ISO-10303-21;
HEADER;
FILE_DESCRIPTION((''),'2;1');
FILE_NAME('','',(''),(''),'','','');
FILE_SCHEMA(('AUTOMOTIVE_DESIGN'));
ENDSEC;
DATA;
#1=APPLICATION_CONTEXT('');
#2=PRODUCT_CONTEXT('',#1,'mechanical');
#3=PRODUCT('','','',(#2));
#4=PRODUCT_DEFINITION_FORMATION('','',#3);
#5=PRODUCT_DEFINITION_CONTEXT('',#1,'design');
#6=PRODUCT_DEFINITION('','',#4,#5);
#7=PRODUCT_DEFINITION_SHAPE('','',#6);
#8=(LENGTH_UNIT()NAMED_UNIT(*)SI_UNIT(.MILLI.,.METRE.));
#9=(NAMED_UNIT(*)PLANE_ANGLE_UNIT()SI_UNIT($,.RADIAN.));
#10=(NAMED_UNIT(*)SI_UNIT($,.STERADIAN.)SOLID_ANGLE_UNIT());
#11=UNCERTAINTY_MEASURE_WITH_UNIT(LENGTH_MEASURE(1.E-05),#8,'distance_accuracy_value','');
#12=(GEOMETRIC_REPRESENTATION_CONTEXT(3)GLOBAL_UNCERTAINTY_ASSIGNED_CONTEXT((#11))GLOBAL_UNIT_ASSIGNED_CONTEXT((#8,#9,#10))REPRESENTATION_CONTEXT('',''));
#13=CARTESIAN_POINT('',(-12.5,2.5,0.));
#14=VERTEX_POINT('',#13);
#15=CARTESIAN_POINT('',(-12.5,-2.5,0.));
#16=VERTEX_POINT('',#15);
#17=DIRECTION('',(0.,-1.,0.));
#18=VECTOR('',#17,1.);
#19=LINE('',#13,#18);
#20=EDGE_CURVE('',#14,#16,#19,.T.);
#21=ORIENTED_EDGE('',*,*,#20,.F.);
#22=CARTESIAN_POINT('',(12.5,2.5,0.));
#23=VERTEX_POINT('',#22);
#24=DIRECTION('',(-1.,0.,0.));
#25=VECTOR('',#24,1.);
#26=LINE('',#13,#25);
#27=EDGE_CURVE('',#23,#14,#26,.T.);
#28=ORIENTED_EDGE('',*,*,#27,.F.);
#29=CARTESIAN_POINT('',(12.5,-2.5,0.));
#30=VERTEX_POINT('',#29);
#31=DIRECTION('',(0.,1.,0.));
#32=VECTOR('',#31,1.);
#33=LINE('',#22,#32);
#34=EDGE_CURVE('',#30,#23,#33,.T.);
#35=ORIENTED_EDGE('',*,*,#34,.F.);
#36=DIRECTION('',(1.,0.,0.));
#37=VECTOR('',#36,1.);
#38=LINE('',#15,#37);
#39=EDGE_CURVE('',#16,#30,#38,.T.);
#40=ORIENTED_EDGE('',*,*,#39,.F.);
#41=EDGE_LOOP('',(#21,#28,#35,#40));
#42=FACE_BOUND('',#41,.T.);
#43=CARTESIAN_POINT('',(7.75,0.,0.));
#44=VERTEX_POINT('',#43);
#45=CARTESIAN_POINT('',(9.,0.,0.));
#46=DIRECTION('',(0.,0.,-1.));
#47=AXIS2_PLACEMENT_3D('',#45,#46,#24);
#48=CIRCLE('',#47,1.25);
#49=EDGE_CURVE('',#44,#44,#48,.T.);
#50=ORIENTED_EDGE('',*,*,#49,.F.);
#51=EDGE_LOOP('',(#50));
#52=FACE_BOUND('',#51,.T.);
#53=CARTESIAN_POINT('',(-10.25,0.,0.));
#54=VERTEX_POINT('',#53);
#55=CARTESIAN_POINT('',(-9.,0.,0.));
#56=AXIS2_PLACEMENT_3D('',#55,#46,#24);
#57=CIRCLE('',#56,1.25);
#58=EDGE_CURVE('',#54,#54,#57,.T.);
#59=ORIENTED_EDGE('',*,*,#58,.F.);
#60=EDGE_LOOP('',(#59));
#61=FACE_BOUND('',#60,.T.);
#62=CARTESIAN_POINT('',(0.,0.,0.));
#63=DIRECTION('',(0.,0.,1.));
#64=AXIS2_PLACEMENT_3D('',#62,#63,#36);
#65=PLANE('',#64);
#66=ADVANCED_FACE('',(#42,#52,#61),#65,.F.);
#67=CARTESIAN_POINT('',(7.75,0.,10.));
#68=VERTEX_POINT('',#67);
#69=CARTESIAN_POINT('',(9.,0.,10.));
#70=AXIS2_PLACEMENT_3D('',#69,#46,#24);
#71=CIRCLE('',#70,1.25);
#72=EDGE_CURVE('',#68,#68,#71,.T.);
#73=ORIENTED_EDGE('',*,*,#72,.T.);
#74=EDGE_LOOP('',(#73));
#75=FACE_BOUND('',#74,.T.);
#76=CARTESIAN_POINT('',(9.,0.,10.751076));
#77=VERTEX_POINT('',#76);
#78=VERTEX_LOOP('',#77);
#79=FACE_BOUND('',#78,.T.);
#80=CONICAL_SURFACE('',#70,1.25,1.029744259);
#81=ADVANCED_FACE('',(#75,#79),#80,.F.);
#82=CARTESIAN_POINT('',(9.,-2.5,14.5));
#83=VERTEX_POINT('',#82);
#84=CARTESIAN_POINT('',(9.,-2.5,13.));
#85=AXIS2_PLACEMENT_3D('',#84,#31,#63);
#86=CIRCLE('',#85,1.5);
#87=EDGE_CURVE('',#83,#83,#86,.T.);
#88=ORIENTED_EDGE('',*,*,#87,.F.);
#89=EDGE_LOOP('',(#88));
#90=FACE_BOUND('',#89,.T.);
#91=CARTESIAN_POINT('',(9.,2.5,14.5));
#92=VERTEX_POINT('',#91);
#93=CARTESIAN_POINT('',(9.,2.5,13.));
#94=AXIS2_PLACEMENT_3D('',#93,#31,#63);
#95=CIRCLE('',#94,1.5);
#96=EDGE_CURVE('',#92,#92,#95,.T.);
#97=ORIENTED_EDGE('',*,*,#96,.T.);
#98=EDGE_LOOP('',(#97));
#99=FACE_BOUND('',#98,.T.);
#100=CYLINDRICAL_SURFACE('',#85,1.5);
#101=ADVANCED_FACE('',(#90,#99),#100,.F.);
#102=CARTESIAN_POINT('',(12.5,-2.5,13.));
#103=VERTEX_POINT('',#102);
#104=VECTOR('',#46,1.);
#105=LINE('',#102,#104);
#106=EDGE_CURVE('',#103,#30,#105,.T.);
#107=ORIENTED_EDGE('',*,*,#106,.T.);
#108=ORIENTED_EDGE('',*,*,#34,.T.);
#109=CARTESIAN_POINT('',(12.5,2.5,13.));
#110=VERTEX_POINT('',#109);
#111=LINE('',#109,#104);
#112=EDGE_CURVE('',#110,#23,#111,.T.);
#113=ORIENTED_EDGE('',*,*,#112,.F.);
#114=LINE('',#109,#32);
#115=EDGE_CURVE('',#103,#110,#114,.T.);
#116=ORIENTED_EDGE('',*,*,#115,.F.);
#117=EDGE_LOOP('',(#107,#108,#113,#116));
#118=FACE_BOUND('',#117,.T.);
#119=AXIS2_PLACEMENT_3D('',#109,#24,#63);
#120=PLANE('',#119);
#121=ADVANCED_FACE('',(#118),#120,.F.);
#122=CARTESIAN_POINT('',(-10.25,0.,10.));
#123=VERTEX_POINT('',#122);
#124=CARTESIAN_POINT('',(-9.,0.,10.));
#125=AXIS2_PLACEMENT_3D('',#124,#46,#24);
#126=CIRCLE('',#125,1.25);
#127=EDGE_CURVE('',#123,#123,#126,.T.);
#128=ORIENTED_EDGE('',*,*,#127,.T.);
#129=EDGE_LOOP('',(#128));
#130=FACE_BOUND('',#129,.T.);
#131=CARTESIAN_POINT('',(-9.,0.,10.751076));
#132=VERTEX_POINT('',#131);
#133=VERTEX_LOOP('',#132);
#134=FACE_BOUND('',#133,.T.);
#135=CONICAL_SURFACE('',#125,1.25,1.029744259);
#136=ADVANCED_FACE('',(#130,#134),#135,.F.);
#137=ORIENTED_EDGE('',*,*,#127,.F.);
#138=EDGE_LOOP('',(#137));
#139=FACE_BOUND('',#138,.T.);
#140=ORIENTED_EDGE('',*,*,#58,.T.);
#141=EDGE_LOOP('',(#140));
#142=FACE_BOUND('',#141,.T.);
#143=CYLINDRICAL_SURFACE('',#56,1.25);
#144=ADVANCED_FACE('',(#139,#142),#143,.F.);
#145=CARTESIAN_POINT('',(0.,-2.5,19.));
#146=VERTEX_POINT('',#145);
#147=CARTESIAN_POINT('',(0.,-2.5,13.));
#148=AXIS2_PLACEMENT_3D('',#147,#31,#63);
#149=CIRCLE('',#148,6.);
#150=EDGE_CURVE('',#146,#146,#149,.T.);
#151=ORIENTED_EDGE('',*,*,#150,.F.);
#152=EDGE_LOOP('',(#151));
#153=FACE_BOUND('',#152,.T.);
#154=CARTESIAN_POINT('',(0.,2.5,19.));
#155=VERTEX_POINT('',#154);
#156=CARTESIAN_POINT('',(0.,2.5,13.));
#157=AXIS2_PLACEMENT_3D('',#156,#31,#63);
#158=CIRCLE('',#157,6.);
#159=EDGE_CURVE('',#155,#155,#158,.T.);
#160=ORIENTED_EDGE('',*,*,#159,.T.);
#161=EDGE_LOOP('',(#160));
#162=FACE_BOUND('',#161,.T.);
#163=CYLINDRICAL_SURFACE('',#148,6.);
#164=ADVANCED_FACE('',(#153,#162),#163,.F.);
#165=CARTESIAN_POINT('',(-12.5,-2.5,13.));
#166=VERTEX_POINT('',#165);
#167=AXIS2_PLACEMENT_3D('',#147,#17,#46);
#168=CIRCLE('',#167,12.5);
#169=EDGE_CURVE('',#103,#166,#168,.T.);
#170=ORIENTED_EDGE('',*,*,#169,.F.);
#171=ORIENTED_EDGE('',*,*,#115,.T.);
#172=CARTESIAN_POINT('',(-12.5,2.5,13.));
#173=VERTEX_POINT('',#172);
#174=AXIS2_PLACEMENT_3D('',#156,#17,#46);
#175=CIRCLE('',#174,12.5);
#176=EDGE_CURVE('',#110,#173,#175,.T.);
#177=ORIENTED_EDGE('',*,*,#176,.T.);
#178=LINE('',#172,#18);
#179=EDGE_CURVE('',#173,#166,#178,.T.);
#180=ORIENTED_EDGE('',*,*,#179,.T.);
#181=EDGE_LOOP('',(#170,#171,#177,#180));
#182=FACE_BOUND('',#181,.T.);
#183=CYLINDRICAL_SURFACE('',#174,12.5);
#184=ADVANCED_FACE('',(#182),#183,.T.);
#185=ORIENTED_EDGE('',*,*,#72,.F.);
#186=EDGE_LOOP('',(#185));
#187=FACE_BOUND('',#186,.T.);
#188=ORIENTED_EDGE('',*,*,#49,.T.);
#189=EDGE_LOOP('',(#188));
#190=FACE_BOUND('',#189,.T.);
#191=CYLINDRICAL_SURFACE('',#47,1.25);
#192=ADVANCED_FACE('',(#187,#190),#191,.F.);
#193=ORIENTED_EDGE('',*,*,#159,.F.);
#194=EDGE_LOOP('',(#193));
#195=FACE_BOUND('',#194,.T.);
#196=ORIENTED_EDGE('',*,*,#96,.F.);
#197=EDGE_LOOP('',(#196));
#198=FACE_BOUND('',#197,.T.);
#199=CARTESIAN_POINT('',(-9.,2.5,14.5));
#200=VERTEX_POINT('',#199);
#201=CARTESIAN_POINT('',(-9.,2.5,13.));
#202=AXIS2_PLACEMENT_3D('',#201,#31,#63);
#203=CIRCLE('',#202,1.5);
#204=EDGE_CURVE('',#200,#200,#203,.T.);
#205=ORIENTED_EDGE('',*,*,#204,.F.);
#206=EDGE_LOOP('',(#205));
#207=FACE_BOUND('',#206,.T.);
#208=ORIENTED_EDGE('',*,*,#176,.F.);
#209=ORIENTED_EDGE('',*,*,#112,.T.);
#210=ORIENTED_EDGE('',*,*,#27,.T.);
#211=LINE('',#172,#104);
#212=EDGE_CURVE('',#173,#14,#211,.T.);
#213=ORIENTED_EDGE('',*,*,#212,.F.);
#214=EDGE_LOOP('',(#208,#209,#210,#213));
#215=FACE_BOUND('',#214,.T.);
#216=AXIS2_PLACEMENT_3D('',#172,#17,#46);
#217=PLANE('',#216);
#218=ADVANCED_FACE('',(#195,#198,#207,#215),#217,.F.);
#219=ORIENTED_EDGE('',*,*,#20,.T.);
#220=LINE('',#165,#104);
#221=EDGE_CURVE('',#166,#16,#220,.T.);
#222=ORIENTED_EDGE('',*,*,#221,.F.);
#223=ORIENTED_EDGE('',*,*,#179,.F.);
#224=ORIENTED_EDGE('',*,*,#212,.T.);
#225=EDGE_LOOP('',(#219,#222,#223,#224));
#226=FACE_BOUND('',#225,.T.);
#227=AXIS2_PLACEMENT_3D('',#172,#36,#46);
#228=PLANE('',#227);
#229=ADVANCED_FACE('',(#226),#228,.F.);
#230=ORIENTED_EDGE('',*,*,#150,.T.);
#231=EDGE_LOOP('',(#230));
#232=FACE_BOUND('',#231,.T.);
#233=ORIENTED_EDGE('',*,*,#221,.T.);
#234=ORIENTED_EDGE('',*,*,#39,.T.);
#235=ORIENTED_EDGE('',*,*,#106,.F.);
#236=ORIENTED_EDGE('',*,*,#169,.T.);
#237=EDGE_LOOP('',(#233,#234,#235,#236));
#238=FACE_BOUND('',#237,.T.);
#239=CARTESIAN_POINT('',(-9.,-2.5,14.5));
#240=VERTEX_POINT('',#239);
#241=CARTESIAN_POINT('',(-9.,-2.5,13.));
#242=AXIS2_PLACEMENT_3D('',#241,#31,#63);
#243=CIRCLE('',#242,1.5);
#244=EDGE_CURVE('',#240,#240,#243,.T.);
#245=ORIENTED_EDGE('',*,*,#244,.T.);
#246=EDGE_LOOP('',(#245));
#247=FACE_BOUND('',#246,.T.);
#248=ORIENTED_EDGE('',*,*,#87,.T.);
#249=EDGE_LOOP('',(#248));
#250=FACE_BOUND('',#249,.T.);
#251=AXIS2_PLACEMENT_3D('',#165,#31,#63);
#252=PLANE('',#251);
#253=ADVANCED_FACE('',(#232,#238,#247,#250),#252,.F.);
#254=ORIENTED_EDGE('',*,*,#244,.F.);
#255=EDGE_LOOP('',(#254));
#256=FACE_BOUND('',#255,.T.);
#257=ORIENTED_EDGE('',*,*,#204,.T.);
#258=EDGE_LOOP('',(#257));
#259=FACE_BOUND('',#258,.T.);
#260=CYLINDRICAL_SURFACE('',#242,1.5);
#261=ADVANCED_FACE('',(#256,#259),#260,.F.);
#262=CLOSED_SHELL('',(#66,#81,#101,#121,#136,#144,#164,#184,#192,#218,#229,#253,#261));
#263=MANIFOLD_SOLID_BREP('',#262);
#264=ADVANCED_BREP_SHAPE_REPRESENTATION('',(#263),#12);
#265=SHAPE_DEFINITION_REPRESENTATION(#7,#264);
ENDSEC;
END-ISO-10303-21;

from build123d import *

# Parameters (mm, degrees)
SKETCH_1_W          = 25
SKETCH_1_H          = 5
EXTRUDE_1_DEPTH     = 13
SKETCH_2_R          = 12.5
EXTRUDE_2_DEPTH     = 5
CUT_EXTRUDE_1_DEPTH = 5
SKETCH_4_R          = 1.5
CUT_EXTRUDE_2_DEPTH = 5
M3X0_5_1_D          = 2.5
M3X0_5_1_DEPTH      = 10
M3X0_5_1_TIP        = 0.751075774


with BuildPart() as part:
    # ｽｹｯﾁ1 → ﾎﾞｽ - 押し出し1 (new body)
    with BuildSketch(Plane.XY):
        Rectangle(SKETCH_1_W, SKETCH_1_H)
    extrude(amount=EXTRUDE_1_DEPTH)

    # ｽｹｯﾁ2 → ﾎﾞｽ - 押し出し2 (add)
    with BuildSketch(Plane.XZ.offset(2.5)):
        with Locations((0, 13)):
            Circle(SKETCH_2_R)
    extrude(amount=-EXTRUDE_2_DEPTH)

    # ｽｹｯﾁ3 → ｶｯﾄ - 押し出し1 (cut)
    with BuildSketch(Plane(origin=(0, 2.5, 0), x_dir=(1, 0, 0), z_dir=(0, 1, 0))):
        with BuildLine():
            ThreePointArc((-6, -13), (0, -19), (6, -13))
            Line((6, -13), (-6, -13))
        make_face()
        with BuildLine():
            Line((-6, -13), (6, -13))
            ThreePointArc((6, -13), (0, -7), (-6, -13))
        make_face()
    extrude(amount=-CUT_EXTRUDE_1_DEPTH, mode=Mode.SUBTRACT)

    # ｽｹｯﾁ4 → ｶｯﾄ - 押し出し2 (cut)
    with BuildSketch(Plane(origin=(0, 2.5, 0), x_dir=(1, 0, 0), z_dir=(0, 1, 0))):
        with Locations(Location((9, -13, 0), (0, 0, 270))):  # turned: the seam where the file's is
            Circle(SKETCH_4_R)
        with Locations(Location((-9, -13, 0), (0, 0, 270))):  # turned: the seam where the file's is
            Circle(SKETCH_4_R)
    extrude(amount=-CUT_EXTRUDE_2_DEPTH, mode=Mode.SUBTRACT)

    # M3x0.5 ねじ穴1
    with Locations(Plane(origin=(0, 0, 0), x_dir=(-1, 0, 0), z_dir=(0, 0, -1))):
        with Locations((-9, 0), (9, 0)):
            Hole(M3X0_5_1_D / 2, depth=M3X0_5_1_DEPTH)
            with Locations((0, 0, -(M3X0_5_1_DEPTH + M3X0_5_1_TIP / 2))):  # 118° drill point
                Cone(0, M3X0_5_1_D / 2, M3X0_5_1_TIP, mode=Mode.SUBTRACT)


solid = part.part
